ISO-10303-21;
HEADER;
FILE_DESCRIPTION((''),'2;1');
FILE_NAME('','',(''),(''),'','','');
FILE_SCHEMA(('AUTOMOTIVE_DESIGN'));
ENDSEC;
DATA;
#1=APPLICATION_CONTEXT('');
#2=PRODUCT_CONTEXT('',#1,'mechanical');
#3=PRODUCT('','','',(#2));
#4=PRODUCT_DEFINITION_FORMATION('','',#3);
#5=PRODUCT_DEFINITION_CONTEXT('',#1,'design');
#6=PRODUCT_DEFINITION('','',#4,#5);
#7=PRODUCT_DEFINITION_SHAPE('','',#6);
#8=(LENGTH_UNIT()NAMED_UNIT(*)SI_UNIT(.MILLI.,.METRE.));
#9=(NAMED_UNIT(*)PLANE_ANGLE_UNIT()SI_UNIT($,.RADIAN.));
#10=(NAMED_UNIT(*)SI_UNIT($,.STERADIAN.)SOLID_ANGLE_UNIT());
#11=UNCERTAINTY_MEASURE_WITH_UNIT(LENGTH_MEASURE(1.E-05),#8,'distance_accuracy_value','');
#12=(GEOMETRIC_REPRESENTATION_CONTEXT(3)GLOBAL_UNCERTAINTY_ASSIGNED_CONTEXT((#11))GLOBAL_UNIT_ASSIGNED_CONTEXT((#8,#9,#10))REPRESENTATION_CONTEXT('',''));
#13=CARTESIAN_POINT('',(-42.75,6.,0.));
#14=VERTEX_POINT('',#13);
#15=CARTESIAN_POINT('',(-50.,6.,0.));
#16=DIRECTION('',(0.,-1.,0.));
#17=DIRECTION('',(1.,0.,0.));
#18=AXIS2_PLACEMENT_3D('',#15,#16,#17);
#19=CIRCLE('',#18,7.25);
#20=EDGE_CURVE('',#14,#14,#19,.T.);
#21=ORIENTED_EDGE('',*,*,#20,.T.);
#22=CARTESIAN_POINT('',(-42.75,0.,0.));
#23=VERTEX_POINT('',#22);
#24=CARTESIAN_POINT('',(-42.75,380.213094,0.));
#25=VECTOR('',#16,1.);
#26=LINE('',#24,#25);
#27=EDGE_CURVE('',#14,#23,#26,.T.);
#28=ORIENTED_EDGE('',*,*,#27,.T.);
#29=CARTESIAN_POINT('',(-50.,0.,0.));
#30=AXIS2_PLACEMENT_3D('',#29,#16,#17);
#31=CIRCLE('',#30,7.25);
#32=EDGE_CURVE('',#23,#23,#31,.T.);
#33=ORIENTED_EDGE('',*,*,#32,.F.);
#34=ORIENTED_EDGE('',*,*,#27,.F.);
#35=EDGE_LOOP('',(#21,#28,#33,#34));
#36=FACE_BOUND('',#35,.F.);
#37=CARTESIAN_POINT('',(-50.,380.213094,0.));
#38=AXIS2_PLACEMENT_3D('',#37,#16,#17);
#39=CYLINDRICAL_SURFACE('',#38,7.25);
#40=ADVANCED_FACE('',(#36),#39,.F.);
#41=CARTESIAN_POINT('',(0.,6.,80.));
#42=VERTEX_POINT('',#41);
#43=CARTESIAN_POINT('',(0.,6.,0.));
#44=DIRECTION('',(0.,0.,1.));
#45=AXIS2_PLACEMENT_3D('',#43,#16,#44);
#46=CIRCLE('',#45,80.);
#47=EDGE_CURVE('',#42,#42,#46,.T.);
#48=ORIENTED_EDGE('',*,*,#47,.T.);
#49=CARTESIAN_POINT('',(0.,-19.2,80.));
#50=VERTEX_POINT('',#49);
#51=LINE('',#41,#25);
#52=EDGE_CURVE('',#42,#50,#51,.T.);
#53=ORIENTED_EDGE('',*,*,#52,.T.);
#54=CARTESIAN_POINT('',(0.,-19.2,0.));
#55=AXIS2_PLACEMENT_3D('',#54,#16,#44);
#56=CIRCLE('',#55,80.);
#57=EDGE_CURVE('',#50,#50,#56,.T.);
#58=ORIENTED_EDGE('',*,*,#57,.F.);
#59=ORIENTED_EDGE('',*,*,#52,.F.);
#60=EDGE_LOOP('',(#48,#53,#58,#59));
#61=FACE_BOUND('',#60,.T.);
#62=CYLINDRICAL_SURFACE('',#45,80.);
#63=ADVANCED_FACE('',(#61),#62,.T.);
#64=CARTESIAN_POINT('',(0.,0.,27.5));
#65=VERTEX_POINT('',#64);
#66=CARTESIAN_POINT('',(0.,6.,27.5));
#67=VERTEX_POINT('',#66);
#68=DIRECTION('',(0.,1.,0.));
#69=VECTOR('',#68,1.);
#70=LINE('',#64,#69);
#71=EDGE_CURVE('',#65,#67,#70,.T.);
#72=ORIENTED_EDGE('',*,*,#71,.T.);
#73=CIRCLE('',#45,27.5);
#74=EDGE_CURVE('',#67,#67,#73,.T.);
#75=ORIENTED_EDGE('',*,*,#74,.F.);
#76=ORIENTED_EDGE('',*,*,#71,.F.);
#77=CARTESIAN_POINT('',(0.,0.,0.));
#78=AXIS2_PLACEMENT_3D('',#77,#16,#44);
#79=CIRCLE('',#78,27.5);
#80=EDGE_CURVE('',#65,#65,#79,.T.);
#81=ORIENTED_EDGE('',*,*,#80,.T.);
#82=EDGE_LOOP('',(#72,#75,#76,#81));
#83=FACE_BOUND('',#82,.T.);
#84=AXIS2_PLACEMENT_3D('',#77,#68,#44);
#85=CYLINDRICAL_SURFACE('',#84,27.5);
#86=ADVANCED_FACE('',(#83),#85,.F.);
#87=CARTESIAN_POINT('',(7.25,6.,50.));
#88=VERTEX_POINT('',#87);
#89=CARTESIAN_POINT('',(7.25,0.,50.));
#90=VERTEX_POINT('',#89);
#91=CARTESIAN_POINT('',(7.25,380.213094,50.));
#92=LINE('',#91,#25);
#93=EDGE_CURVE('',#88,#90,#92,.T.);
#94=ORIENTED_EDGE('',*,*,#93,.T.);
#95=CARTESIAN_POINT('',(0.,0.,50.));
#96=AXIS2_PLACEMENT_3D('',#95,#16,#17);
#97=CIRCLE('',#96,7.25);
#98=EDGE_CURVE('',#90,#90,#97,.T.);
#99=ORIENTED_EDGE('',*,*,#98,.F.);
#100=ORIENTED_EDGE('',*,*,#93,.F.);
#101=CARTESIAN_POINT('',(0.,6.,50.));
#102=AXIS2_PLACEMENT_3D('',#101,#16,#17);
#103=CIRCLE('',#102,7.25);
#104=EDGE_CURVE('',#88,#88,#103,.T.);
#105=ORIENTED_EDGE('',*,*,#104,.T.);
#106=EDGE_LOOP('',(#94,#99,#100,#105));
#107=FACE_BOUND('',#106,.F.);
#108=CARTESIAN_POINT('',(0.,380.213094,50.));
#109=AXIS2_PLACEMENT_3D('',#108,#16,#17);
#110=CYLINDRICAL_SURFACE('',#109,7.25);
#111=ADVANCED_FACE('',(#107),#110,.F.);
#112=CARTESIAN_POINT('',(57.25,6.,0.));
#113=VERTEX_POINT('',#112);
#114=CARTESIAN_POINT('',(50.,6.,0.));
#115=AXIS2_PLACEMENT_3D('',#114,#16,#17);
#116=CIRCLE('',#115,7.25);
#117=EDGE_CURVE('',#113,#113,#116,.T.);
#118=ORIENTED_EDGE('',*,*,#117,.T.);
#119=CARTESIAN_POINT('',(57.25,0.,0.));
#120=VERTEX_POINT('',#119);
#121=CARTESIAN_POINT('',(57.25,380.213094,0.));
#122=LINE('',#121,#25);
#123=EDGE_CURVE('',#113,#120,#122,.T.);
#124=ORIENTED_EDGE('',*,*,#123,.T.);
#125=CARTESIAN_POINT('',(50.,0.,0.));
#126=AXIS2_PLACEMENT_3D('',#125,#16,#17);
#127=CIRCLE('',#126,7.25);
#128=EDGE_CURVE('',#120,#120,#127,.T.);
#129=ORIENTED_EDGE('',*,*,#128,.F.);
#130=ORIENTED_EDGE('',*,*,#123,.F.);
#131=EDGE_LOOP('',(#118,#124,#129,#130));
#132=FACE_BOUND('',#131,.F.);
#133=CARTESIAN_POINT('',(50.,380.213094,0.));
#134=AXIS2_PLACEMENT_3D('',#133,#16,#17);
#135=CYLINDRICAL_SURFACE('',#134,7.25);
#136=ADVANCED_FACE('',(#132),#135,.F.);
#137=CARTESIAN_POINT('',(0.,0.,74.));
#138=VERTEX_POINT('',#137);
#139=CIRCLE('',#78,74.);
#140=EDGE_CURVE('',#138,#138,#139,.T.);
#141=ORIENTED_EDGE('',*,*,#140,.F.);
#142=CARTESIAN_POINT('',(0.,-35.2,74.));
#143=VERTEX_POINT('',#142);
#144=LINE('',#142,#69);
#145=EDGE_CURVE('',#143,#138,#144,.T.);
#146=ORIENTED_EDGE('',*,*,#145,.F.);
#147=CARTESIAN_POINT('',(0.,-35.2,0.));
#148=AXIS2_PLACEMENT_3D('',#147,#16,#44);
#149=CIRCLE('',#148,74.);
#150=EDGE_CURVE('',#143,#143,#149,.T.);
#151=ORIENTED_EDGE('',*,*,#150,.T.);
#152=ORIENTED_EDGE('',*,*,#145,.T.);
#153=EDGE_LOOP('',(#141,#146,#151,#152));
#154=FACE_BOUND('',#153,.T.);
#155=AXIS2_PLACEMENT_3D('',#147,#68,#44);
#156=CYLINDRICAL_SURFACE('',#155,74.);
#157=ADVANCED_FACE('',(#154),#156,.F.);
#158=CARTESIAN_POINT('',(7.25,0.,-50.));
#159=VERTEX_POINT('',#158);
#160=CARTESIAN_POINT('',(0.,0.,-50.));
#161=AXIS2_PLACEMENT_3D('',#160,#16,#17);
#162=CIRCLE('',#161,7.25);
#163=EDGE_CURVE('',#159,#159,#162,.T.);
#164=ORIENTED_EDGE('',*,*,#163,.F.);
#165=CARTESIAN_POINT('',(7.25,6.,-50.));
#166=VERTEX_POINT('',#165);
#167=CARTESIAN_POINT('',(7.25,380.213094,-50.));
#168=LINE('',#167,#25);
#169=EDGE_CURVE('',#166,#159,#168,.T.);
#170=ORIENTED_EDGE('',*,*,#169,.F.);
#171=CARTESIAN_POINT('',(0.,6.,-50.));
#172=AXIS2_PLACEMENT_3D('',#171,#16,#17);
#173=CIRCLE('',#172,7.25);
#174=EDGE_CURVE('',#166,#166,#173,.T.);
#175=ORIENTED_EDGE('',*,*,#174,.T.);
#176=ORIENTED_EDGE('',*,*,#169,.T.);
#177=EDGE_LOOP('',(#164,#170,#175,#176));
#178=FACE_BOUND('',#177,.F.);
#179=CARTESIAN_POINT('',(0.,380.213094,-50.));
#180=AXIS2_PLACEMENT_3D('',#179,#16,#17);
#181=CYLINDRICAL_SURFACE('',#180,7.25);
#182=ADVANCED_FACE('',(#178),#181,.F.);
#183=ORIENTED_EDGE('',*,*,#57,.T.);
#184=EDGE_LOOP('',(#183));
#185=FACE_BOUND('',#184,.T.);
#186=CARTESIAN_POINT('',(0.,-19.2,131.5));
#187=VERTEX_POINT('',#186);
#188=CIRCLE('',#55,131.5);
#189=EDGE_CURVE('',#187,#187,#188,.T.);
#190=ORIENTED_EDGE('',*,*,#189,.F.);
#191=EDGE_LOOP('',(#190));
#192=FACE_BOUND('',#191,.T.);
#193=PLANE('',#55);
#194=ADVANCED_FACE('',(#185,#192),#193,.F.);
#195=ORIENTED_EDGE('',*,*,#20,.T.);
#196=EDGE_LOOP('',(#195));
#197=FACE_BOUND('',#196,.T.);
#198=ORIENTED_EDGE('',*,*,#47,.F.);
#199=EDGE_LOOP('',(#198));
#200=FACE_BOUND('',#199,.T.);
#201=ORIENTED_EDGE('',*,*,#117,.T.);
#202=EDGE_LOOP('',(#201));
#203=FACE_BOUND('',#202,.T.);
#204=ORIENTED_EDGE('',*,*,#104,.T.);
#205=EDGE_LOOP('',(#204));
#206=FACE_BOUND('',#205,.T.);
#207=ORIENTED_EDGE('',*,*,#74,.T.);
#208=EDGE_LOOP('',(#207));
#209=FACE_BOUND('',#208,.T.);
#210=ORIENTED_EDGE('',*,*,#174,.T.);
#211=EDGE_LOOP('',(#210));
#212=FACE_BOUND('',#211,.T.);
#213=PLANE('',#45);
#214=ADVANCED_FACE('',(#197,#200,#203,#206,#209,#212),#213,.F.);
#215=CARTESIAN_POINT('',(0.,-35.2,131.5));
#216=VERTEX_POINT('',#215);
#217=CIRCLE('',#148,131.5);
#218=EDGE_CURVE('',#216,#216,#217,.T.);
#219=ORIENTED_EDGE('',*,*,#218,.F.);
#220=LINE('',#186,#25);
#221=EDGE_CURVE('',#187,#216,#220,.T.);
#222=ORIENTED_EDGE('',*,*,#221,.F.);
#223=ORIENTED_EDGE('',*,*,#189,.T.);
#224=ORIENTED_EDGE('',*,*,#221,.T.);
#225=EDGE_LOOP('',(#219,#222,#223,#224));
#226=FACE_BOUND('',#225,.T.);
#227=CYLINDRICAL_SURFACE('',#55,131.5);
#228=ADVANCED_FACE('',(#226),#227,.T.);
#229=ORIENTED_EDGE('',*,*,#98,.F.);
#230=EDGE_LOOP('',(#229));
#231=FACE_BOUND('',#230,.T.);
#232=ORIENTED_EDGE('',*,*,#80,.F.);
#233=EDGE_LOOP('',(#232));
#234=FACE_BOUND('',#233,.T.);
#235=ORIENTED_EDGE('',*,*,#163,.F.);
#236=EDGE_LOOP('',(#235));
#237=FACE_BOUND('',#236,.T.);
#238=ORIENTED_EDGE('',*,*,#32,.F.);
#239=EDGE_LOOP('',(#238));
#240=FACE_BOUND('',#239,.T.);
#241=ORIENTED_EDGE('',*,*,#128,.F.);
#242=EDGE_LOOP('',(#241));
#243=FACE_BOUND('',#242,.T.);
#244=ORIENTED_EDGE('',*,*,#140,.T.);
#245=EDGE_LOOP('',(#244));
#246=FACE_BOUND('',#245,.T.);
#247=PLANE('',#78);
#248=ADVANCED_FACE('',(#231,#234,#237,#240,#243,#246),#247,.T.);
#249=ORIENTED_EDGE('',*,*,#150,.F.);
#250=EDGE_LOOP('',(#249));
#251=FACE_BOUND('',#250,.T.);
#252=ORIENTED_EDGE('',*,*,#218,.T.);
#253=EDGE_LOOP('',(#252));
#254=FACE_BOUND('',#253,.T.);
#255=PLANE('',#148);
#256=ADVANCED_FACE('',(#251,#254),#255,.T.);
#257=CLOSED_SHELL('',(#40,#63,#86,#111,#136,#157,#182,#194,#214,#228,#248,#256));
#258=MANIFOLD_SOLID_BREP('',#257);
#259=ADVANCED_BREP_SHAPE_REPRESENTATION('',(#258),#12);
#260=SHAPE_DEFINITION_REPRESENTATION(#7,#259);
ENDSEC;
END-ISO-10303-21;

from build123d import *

# Parameters (mm, degrees)
F3_D = 14.5


with BuildPart() as f1:
    # F0 (on Right) → F1 (revolve)
    with BuildSketch(Plane.YZ):
        Polygon((0, 74), (0, 27.5), (6, 27.5), (6, 80), (-19.2, 80), (-19.2, 131.5), (-35.2, 131.5), (-35.2, 74), align=None)
    revolve(axis=Axis((0, -66.1122447776, 0), (0, -1, 0)))

    # F3 (through all)
    with Locations(Plane(origin=(0, 6, 0), x_dir=(-1, 0, 0), z_dir=(0, 1, 0))):
        with Locations((0, 50), (50, 0), (0, -50), (-50, 0)):
            Hole(F3_D / 2)


solid = f1.part
